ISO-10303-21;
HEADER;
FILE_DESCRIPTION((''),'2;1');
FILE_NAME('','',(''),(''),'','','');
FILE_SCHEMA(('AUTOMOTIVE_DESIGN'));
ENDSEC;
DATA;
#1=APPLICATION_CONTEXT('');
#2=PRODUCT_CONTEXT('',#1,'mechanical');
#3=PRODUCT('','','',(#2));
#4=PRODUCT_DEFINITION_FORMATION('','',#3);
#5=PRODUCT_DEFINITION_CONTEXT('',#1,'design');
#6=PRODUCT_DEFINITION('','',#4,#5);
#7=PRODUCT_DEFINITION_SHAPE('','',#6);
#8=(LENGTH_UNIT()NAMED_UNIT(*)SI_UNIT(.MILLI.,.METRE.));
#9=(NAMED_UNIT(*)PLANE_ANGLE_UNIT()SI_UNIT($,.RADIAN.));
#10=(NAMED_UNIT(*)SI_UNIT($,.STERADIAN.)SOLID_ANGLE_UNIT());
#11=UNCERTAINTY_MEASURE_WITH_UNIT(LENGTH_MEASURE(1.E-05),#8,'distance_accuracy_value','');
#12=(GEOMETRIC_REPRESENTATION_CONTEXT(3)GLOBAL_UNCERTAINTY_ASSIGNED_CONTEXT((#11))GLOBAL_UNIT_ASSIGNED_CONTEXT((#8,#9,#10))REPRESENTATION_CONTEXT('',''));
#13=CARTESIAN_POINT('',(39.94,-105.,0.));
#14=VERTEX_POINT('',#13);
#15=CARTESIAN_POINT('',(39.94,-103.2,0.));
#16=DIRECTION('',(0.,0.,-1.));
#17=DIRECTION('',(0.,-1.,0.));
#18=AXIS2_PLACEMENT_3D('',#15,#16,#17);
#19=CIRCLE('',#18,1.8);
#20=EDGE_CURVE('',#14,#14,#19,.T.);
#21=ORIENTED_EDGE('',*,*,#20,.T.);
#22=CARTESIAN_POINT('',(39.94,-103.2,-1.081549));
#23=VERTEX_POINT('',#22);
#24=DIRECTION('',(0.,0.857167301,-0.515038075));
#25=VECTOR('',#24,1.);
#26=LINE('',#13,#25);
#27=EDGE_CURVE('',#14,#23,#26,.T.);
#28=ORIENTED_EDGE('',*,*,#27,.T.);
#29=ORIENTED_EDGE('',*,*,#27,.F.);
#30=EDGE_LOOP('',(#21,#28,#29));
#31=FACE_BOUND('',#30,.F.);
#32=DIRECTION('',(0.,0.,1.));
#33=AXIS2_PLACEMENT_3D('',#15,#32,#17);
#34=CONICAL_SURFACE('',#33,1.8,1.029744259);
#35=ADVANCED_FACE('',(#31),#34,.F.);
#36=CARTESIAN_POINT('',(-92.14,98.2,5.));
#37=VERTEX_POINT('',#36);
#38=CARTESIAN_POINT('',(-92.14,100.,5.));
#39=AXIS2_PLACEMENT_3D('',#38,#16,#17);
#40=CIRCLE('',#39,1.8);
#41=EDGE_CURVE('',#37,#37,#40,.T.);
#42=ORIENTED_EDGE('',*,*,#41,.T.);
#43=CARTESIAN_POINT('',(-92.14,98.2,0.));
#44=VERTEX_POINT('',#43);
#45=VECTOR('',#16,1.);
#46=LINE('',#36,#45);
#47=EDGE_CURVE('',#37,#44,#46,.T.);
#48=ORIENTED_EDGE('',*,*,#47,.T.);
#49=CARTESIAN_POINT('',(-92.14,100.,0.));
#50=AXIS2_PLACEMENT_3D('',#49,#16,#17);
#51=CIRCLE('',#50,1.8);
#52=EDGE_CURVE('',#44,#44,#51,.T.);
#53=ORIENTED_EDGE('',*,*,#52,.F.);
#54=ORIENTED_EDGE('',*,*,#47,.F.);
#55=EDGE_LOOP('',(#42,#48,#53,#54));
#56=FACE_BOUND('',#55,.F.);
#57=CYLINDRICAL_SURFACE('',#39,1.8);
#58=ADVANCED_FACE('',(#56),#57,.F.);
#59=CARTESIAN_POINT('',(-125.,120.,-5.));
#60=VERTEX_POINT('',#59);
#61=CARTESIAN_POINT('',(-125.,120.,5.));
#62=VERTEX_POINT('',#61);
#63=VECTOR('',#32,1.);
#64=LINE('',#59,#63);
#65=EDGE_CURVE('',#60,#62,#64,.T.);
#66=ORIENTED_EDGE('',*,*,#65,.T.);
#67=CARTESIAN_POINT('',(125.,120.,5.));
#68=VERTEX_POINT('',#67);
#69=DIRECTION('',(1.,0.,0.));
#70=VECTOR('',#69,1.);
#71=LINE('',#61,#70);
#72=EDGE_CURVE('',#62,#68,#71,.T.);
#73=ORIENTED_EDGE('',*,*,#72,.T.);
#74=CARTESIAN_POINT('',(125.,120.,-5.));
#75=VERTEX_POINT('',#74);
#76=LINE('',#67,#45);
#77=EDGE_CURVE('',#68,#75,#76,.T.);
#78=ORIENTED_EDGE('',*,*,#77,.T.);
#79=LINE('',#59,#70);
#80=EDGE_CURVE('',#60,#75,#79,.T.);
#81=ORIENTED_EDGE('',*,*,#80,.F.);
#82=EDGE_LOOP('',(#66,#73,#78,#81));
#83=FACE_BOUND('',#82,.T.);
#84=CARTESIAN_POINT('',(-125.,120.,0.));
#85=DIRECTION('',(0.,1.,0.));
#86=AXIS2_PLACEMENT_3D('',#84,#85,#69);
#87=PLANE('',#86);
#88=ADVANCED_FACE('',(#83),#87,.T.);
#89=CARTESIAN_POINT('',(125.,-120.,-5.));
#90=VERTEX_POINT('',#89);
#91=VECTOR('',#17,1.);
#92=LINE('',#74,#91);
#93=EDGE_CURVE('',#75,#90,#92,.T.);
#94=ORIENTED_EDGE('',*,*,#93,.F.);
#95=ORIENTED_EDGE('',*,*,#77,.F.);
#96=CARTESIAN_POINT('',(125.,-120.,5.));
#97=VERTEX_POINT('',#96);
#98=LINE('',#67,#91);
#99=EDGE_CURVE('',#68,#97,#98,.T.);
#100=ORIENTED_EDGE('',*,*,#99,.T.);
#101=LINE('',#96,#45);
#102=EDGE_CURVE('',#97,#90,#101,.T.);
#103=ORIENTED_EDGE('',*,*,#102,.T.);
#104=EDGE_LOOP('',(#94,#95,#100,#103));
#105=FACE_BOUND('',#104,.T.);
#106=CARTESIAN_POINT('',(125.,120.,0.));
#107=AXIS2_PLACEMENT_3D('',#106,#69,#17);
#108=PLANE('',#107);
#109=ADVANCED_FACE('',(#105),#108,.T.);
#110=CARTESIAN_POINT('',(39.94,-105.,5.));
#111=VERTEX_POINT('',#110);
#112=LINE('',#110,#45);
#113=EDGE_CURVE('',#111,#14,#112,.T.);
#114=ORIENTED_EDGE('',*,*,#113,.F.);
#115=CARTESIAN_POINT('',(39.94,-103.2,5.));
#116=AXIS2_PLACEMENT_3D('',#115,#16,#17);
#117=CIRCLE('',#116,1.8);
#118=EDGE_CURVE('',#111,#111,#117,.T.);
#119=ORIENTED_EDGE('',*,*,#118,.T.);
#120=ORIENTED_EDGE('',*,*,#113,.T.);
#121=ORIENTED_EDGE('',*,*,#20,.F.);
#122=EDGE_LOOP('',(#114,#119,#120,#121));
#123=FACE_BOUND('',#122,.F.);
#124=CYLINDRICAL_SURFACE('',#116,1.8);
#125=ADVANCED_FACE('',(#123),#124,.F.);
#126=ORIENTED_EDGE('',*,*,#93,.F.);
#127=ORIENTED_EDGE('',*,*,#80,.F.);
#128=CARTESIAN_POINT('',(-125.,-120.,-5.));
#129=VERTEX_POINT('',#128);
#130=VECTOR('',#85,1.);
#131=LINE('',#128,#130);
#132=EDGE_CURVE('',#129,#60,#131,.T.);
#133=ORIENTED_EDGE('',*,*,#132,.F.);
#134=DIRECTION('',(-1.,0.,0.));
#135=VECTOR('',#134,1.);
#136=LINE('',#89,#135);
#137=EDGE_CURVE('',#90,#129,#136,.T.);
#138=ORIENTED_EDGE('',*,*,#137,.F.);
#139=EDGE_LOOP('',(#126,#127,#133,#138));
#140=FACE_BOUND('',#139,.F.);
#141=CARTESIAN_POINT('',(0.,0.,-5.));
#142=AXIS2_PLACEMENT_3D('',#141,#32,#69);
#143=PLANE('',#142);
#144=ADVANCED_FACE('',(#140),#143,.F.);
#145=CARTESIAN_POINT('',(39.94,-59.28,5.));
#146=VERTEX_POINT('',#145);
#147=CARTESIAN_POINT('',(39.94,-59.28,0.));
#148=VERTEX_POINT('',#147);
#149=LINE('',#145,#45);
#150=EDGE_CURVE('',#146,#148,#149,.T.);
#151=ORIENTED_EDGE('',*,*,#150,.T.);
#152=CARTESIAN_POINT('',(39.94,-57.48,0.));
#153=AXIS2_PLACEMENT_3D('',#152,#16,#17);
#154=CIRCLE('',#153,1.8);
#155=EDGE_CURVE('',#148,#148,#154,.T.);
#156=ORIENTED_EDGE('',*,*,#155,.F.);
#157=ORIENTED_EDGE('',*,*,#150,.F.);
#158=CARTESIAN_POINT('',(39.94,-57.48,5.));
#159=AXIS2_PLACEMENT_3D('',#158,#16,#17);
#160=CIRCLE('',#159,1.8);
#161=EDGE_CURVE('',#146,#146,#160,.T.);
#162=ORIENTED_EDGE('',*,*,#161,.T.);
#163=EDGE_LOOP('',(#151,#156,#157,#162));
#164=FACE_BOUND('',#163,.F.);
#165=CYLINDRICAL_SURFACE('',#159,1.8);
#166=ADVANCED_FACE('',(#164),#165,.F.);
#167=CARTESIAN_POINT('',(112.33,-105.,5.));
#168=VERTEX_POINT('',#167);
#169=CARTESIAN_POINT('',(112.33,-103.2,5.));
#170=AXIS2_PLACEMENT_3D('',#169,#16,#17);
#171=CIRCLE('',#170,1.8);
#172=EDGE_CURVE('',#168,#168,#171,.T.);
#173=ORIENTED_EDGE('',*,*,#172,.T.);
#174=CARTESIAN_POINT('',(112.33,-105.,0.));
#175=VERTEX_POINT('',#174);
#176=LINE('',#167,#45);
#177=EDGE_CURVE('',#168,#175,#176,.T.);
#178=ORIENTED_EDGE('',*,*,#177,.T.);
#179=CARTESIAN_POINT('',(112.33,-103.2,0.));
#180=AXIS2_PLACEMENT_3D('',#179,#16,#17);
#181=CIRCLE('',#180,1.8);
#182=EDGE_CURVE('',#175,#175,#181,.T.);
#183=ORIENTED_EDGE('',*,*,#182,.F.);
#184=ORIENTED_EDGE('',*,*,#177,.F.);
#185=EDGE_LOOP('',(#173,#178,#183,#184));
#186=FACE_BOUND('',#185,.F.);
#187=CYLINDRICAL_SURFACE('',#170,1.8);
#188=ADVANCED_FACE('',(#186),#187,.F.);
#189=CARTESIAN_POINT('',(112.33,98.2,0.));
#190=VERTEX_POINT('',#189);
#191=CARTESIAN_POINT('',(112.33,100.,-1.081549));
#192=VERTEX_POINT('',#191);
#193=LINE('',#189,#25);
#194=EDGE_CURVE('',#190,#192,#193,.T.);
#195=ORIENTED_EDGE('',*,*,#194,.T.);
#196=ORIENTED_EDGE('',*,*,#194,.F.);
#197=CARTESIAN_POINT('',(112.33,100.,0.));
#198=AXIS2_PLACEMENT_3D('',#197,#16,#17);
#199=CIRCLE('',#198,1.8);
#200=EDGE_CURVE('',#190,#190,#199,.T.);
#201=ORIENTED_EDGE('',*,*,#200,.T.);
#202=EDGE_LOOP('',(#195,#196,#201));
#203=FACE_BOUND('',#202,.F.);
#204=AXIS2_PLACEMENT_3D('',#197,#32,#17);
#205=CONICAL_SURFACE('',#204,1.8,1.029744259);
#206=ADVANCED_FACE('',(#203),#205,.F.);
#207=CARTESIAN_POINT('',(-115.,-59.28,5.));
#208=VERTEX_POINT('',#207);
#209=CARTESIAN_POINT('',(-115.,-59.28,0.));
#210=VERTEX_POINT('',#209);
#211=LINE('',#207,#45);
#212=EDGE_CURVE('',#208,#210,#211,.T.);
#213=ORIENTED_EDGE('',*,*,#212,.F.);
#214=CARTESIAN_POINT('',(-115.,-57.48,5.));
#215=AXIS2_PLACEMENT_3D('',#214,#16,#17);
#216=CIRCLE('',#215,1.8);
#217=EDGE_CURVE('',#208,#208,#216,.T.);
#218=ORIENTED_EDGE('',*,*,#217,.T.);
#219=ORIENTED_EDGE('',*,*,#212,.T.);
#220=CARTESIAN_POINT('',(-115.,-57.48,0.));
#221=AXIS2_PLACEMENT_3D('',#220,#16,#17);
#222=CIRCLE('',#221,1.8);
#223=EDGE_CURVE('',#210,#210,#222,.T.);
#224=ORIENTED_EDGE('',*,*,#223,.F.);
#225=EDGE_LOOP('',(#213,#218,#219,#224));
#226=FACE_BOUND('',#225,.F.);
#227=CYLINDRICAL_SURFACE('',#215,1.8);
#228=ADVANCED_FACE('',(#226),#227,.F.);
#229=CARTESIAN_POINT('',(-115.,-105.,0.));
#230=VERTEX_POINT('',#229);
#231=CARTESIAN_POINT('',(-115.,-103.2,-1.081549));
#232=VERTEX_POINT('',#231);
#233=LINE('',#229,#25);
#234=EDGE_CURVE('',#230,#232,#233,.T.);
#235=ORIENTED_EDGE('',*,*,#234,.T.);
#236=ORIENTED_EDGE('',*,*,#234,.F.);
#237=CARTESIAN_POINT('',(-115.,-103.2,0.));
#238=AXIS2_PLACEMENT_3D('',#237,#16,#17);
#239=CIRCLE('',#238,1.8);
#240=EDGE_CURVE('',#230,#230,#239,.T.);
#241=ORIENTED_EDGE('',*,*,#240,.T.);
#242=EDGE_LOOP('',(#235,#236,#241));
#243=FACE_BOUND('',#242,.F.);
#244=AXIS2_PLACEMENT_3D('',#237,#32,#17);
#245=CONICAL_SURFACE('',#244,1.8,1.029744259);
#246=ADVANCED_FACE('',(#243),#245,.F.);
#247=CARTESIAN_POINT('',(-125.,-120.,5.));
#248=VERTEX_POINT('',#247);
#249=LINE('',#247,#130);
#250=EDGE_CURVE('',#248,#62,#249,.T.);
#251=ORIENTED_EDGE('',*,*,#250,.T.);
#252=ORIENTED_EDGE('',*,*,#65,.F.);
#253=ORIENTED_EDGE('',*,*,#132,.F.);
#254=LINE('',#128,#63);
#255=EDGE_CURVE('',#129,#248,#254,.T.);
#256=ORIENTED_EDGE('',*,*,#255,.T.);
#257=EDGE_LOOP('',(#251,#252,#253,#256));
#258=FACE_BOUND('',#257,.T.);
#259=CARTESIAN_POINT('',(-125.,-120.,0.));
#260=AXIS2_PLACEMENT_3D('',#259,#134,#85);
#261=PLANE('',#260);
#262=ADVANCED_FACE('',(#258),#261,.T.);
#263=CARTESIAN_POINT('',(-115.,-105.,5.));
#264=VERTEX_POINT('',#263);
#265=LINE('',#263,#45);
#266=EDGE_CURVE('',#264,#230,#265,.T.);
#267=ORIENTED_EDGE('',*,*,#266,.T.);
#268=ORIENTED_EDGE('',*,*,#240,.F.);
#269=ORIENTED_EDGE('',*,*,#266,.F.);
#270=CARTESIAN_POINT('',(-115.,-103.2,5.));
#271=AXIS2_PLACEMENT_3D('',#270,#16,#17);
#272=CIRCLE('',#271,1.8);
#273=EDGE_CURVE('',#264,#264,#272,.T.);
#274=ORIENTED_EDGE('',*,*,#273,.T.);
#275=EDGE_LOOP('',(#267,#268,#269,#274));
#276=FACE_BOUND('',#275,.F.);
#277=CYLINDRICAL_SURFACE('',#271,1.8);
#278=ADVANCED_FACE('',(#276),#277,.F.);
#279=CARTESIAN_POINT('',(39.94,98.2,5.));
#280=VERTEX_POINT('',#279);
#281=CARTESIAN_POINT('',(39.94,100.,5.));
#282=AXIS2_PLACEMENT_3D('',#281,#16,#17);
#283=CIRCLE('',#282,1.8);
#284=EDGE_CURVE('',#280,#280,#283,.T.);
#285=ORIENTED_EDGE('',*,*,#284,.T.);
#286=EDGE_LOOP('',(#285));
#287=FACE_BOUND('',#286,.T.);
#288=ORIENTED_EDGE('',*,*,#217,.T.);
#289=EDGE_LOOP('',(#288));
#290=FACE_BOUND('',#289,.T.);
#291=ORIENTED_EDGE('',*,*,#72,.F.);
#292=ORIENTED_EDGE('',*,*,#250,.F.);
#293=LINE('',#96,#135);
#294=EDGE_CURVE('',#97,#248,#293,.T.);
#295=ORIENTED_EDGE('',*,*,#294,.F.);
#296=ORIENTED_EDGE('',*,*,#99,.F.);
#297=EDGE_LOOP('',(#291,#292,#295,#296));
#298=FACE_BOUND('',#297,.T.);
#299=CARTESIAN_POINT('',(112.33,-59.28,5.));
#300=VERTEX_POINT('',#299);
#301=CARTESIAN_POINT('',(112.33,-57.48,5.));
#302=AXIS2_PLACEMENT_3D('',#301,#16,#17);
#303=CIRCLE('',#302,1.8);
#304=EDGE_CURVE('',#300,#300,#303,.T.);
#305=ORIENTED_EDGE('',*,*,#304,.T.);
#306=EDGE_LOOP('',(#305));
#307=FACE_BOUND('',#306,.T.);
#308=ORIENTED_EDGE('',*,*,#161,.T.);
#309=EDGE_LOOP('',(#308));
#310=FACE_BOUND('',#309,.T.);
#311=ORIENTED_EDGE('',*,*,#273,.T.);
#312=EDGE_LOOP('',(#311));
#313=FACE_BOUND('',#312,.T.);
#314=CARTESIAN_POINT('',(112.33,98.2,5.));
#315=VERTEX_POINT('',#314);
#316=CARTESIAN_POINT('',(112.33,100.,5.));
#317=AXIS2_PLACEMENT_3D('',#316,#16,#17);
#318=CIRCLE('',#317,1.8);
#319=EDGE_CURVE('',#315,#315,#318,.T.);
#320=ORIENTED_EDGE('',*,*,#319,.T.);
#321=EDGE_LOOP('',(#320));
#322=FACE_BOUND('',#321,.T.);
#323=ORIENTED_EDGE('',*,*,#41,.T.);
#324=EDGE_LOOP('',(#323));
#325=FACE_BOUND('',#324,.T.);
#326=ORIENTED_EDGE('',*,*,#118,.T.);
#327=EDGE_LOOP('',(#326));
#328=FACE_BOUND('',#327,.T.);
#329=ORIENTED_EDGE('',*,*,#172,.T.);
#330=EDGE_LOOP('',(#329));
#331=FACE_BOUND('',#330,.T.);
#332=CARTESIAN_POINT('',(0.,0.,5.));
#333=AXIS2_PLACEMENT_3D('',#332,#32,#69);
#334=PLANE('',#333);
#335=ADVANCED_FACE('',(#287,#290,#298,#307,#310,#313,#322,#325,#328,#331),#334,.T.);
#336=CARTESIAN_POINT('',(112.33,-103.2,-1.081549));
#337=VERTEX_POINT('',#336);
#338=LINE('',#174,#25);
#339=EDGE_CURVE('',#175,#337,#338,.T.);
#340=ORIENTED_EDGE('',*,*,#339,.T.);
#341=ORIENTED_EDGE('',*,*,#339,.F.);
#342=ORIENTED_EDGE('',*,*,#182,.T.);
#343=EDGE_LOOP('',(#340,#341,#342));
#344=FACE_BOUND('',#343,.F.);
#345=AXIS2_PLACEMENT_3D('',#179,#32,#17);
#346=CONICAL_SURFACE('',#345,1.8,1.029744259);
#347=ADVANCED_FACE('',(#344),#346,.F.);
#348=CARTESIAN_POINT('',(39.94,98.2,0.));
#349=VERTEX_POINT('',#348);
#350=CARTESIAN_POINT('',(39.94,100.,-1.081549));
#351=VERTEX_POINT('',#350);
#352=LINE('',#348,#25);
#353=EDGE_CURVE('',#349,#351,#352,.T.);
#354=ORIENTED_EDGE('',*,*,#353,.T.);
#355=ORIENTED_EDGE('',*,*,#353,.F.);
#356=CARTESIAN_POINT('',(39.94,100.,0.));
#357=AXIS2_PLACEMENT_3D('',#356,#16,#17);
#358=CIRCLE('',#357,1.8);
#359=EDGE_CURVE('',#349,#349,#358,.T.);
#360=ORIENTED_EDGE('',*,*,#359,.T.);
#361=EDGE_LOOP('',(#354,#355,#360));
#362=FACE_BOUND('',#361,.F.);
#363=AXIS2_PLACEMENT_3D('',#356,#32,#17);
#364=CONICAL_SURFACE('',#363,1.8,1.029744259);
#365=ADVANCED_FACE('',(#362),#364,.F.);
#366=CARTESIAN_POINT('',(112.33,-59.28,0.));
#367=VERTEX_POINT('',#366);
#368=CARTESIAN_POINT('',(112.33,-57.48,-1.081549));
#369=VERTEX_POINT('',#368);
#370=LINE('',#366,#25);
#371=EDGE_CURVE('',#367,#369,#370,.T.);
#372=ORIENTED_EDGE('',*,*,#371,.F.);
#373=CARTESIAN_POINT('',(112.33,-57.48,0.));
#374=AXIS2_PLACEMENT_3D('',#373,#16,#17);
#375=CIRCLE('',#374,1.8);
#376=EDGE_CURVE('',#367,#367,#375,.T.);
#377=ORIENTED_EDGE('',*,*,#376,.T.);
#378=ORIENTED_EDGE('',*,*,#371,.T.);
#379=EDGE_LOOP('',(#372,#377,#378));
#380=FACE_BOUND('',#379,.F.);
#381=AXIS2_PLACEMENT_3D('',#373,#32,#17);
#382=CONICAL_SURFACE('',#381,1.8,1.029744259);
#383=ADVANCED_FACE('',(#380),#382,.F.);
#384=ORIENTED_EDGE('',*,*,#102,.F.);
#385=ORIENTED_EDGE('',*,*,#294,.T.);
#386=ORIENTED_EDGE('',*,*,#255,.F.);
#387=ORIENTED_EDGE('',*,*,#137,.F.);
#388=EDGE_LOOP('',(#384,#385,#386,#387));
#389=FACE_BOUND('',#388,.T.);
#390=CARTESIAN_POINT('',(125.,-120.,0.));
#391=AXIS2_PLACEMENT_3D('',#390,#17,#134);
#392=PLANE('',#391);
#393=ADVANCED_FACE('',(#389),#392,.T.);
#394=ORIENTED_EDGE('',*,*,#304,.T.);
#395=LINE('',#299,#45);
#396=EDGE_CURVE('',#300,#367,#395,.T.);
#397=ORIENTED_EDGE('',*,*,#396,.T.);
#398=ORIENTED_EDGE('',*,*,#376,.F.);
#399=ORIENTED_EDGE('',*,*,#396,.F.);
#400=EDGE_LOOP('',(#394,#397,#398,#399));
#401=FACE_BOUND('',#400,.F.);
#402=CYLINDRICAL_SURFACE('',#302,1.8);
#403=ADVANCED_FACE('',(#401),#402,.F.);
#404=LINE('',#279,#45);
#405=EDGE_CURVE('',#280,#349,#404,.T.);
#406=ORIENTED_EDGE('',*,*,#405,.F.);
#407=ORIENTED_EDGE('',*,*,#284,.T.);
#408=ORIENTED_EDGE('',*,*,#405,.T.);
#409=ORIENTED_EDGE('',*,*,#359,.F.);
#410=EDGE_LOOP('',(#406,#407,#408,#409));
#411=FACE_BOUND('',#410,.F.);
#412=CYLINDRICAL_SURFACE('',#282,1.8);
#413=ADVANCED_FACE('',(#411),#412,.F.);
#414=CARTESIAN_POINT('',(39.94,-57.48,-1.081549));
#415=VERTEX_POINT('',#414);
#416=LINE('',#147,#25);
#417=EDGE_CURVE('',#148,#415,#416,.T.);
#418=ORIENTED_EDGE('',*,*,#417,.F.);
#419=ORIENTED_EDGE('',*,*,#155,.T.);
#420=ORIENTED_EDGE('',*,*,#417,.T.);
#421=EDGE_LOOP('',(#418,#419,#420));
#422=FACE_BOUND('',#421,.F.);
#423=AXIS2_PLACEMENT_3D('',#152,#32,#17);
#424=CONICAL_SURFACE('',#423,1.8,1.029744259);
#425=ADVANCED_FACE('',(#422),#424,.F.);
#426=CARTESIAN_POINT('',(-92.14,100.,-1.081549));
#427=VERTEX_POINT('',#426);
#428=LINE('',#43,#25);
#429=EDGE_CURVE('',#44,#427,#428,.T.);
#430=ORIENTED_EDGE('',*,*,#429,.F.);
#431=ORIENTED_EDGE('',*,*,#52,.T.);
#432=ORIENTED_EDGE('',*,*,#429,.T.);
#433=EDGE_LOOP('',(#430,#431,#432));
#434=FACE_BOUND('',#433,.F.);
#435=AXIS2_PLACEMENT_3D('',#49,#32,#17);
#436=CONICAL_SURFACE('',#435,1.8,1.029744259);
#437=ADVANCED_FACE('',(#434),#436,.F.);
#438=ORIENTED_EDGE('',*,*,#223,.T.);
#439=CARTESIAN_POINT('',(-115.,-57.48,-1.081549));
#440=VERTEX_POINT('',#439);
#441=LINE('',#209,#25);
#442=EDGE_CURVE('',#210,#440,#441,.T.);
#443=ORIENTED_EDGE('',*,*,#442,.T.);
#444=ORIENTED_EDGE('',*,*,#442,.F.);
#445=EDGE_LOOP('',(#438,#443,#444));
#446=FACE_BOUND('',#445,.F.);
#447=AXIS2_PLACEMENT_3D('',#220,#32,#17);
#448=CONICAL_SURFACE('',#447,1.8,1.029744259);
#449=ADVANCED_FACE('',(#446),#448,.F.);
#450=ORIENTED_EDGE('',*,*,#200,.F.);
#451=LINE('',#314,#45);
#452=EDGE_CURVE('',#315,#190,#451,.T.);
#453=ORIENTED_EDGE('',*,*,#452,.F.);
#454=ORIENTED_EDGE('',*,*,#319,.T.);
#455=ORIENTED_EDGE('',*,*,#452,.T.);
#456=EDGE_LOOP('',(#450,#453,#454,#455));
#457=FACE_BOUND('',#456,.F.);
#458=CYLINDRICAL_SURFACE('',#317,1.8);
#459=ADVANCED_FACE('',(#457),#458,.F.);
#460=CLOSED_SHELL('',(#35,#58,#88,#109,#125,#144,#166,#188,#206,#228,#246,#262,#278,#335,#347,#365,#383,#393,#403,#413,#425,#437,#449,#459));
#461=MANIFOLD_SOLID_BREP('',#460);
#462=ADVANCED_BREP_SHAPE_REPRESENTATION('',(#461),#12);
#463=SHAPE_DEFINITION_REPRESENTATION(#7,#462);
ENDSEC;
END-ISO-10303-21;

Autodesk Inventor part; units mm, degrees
ref_plane "YZ Plane" through (0, 0, 0) normal (1, 0, 0) x (0, 1, 0)
ref_plane "XZ Plane" through (0, 0, 0) normal (0, 1, 0) x (-1, 0, 0)
ref_plane "XY Plane" through (0, 0, 0) normal (0, 0, 1) x (1, 0, 0)
sketch "Sketch1" plane through (0, 0, 0) normal (0, 0, 1) x (1, 0, 0)
  line L0 (-125, 120) -> (125, 120)
  line L1 (125, 120) -> (125, -120)
  line L2 (125, -120) -> (-125, -120)
  line L3 (-125, -120) -> (-125, 120)
  point P0 (0, 0)
  dimension "d0" = 250
  dimension "d1" = 240
  dimension "d2" = 125
  dimension "d3" = 120
extrude "Extrusion1" add sketch "Sketch1" along normal mid plane 10
sketch "Sketch5" plane through (0, 0, 5) normal (0, 0, 1) x (1, 0, 0)
  line L0 (-115, 100) -> (-115, -103.2)
  line L1 (-92.14, 100) -> (-92.14, -103.2)
  line L2 (39.94, 100) -> (39.94, -103.2)
  line L3 (112.33, 100) -> (112.33, -103.2)
  line L4 (-92.14, 100) -> (112.33, 100)
  line L5 (-115, -57.48) -> (39.94, -57.48)
  line L6 (112.33, -57.48) -> (39.94, -57.48)
  line L7 (-115, -103.2) -> (39.94, -103.2)
  line L8 (112.33, -103.2) -> (39.94, -103.2)
  line L9 (-115, 100) -> (-92.14, 100)
  line L10 (-125, 120) -> (-125, -120) projected
  line L11 (125, 120) -> (-125, 120) projected
  point P0 (0, 0)
  dimension "d25" = 10
  dimension "d26" = 22.86
  dimension "d27" = 72.39
  dimension "d28" = 132.08
  dimension "d29" = 45.72
  dimension "d30" = 157.48
  dimension "d38" = 20
hole "Hole2" at (-92.14, 100, 5) at (39.94, 100, 5) at (112.33, 100, 5) at (112.33, -57.48, 5) at (39.94, -57.48, 5) at (39.94, -103.2, 5) at (112.33, -103.2, 5) at (-115, -57.48, 5) at (-115, -103.2, 5) direction (0, 0, -1) diameter 3.6 depth 5 tip angle 118
equation "\"d2\" = 0.5 * d0"
equation "\"d3\" = 0.5 * d1"
properties part number "newMATXMount"
